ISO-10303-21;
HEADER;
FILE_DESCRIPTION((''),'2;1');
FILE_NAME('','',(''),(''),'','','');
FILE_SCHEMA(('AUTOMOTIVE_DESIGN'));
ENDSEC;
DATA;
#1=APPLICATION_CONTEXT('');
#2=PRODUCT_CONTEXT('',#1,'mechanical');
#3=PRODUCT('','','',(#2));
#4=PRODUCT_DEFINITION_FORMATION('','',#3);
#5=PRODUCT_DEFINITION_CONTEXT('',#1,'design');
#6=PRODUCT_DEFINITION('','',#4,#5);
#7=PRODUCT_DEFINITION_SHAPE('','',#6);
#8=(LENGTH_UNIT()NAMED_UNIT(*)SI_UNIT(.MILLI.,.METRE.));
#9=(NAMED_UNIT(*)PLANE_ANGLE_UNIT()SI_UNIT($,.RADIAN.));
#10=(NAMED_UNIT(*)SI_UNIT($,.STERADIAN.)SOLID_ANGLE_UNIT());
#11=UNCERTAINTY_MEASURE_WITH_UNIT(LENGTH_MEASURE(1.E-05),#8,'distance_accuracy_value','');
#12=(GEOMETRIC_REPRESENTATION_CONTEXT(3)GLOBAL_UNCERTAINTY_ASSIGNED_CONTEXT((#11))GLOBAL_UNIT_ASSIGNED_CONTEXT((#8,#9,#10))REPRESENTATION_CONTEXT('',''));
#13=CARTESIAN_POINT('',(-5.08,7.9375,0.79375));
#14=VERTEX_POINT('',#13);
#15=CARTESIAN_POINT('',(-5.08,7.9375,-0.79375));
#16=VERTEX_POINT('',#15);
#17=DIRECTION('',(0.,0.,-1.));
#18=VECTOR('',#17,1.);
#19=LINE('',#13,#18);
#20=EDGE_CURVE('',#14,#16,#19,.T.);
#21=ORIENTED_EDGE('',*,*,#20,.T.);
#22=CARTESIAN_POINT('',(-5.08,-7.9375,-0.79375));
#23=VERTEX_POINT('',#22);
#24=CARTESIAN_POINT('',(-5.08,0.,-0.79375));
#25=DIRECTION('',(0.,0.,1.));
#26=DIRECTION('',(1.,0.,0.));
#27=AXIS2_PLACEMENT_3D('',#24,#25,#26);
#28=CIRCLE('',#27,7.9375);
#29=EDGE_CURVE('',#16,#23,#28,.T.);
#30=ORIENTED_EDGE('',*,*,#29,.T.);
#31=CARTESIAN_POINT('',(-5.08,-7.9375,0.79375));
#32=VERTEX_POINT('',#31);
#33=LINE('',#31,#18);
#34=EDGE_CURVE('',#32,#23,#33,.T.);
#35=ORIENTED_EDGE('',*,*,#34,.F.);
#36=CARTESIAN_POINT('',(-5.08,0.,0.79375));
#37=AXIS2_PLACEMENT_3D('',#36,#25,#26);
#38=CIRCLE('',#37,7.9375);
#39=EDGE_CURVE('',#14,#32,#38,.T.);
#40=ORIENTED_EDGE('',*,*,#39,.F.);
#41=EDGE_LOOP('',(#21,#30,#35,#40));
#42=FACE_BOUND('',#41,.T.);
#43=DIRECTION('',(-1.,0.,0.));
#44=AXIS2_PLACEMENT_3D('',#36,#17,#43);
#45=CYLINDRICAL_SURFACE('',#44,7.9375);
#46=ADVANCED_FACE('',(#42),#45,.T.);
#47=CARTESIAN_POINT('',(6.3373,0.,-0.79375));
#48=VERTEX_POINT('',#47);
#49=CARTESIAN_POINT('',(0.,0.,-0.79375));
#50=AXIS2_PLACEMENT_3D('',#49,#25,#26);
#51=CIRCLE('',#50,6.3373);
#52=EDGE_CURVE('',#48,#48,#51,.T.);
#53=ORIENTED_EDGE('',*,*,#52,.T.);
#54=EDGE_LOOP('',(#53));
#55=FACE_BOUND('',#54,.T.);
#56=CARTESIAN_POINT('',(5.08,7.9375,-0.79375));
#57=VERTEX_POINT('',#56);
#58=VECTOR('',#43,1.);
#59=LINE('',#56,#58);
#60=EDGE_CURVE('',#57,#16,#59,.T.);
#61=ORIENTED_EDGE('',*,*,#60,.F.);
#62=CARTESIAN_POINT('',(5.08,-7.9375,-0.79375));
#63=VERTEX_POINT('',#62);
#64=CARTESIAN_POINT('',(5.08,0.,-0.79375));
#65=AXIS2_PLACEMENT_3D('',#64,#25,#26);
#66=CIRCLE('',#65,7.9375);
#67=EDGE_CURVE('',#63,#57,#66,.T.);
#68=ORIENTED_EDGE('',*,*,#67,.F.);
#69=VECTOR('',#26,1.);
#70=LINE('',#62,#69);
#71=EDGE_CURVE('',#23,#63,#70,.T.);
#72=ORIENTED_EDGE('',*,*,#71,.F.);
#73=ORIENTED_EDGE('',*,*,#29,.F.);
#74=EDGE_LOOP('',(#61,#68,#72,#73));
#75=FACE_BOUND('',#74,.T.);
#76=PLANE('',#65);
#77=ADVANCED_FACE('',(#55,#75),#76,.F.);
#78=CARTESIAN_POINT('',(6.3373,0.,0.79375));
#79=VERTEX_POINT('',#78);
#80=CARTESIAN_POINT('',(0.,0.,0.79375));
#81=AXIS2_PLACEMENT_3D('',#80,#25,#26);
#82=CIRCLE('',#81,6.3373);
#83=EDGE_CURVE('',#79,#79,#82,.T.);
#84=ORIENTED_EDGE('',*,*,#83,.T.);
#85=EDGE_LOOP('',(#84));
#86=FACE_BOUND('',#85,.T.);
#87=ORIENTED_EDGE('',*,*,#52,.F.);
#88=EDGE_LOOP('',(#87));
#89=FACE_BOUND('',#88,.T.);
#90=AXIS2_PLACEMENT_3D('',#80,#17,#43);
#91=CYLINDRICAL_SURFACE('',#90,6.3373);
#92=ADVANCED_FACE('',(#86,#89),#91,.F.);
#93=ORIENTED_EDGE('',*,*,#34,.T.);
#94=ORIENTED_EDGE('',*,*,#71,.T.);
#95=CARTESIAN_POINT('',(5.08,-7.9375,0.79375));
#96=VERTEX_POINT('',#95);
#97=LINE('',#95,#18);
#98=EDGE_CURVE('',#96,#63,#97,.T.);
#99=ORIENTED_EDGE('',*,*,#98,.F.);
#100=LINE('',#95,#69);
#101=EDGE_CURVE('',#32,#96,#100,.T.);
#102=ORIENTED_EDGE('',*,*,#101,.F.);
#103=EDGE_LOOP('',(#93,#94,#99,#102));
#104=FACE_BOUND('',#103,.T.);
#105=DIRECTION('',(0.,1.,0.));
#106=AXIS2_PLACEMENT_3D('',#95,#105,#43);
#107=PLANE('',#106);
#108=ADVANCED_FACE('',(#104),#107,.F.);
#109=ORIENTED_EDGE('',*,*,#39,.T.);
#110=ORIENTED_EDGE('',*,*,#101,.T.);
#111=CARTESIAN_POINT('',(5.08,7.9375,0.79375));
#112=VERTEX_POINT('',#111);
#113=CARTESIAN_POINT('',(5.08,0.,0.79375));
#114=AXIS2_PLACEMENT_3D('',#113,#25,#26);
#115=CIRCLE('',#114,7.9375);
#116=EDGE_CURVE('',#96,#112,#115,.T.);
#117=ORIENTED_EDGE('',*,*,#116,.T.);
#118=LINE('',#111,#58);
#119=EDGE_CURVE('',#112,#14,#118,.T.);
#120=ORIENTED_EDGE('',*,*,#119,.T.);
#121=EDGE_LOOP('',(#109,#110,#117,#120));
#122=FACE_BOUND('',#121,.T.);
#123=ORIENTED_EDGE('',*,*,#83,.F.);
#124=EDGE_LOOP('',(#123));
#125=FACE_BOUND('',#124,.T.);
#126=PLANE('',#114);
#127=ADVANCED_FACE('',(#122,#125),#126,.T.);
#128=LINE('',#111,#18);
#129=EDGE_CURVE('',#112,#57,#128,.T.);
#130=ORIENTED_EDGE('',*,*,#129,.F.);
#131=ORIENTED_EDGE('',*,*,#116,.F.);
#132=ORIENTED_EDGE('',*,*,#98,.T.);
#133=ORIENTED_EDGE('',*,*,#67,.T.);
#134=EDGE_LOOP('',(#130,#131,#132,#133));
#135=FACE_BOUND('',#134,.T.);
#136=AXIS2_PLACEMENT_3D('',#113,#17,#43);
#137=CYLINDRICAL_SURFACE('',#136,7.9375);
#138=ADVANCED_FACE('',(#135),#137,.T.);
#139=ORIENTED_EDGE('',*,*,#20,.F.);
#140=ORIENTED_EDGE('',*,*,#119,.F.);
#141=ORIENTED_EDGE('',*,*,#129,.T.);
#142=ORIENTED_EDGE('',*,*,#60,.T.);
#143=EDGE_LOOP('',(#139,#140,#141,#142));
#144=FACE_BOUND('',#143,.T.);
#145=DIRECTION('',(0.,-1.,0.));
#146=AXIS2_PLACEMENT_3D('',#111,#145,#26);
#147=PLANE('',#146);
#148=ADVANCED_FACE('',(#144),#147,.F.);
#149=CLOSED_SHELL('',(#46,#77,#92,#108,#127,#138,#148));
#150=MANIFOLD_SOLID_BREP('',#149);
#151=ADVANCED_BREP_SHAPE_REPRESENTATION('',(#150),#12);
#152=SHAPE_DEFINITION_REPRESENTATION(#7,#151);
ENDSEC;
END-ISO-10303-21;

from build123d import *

# Parameters (mm, degrees)
SKETCH1_R           = 6.3373
BOSS_EXTRUDE1_DEPTH = 0.79375


with BuildPart() as part:
    # Sketch1 → Boss-Extrude1 (new, symmetric)
    with BuildSketch(Plane.XY):
        with BuildLine():
            Line((5.08, -7.9375), (-5.08, -7.9375))
            ThreePointArc((-5.08, -7.9375), (-13.0175, 0), (-5.08, 7.9375))
            Line((-5.08, 7.9375), (5.08, 7.9375))
            ThreePointArc((5.08, 7.9375), (13.0175, 0), (5.08, -7.9375))
        make_face()
        Circle(SKETCH1_R, mode=Mode.SUBTRACT)
    extrude(amount=BOSS_EXTRUDE1_DEPTH, both=True)


solid = part.part
